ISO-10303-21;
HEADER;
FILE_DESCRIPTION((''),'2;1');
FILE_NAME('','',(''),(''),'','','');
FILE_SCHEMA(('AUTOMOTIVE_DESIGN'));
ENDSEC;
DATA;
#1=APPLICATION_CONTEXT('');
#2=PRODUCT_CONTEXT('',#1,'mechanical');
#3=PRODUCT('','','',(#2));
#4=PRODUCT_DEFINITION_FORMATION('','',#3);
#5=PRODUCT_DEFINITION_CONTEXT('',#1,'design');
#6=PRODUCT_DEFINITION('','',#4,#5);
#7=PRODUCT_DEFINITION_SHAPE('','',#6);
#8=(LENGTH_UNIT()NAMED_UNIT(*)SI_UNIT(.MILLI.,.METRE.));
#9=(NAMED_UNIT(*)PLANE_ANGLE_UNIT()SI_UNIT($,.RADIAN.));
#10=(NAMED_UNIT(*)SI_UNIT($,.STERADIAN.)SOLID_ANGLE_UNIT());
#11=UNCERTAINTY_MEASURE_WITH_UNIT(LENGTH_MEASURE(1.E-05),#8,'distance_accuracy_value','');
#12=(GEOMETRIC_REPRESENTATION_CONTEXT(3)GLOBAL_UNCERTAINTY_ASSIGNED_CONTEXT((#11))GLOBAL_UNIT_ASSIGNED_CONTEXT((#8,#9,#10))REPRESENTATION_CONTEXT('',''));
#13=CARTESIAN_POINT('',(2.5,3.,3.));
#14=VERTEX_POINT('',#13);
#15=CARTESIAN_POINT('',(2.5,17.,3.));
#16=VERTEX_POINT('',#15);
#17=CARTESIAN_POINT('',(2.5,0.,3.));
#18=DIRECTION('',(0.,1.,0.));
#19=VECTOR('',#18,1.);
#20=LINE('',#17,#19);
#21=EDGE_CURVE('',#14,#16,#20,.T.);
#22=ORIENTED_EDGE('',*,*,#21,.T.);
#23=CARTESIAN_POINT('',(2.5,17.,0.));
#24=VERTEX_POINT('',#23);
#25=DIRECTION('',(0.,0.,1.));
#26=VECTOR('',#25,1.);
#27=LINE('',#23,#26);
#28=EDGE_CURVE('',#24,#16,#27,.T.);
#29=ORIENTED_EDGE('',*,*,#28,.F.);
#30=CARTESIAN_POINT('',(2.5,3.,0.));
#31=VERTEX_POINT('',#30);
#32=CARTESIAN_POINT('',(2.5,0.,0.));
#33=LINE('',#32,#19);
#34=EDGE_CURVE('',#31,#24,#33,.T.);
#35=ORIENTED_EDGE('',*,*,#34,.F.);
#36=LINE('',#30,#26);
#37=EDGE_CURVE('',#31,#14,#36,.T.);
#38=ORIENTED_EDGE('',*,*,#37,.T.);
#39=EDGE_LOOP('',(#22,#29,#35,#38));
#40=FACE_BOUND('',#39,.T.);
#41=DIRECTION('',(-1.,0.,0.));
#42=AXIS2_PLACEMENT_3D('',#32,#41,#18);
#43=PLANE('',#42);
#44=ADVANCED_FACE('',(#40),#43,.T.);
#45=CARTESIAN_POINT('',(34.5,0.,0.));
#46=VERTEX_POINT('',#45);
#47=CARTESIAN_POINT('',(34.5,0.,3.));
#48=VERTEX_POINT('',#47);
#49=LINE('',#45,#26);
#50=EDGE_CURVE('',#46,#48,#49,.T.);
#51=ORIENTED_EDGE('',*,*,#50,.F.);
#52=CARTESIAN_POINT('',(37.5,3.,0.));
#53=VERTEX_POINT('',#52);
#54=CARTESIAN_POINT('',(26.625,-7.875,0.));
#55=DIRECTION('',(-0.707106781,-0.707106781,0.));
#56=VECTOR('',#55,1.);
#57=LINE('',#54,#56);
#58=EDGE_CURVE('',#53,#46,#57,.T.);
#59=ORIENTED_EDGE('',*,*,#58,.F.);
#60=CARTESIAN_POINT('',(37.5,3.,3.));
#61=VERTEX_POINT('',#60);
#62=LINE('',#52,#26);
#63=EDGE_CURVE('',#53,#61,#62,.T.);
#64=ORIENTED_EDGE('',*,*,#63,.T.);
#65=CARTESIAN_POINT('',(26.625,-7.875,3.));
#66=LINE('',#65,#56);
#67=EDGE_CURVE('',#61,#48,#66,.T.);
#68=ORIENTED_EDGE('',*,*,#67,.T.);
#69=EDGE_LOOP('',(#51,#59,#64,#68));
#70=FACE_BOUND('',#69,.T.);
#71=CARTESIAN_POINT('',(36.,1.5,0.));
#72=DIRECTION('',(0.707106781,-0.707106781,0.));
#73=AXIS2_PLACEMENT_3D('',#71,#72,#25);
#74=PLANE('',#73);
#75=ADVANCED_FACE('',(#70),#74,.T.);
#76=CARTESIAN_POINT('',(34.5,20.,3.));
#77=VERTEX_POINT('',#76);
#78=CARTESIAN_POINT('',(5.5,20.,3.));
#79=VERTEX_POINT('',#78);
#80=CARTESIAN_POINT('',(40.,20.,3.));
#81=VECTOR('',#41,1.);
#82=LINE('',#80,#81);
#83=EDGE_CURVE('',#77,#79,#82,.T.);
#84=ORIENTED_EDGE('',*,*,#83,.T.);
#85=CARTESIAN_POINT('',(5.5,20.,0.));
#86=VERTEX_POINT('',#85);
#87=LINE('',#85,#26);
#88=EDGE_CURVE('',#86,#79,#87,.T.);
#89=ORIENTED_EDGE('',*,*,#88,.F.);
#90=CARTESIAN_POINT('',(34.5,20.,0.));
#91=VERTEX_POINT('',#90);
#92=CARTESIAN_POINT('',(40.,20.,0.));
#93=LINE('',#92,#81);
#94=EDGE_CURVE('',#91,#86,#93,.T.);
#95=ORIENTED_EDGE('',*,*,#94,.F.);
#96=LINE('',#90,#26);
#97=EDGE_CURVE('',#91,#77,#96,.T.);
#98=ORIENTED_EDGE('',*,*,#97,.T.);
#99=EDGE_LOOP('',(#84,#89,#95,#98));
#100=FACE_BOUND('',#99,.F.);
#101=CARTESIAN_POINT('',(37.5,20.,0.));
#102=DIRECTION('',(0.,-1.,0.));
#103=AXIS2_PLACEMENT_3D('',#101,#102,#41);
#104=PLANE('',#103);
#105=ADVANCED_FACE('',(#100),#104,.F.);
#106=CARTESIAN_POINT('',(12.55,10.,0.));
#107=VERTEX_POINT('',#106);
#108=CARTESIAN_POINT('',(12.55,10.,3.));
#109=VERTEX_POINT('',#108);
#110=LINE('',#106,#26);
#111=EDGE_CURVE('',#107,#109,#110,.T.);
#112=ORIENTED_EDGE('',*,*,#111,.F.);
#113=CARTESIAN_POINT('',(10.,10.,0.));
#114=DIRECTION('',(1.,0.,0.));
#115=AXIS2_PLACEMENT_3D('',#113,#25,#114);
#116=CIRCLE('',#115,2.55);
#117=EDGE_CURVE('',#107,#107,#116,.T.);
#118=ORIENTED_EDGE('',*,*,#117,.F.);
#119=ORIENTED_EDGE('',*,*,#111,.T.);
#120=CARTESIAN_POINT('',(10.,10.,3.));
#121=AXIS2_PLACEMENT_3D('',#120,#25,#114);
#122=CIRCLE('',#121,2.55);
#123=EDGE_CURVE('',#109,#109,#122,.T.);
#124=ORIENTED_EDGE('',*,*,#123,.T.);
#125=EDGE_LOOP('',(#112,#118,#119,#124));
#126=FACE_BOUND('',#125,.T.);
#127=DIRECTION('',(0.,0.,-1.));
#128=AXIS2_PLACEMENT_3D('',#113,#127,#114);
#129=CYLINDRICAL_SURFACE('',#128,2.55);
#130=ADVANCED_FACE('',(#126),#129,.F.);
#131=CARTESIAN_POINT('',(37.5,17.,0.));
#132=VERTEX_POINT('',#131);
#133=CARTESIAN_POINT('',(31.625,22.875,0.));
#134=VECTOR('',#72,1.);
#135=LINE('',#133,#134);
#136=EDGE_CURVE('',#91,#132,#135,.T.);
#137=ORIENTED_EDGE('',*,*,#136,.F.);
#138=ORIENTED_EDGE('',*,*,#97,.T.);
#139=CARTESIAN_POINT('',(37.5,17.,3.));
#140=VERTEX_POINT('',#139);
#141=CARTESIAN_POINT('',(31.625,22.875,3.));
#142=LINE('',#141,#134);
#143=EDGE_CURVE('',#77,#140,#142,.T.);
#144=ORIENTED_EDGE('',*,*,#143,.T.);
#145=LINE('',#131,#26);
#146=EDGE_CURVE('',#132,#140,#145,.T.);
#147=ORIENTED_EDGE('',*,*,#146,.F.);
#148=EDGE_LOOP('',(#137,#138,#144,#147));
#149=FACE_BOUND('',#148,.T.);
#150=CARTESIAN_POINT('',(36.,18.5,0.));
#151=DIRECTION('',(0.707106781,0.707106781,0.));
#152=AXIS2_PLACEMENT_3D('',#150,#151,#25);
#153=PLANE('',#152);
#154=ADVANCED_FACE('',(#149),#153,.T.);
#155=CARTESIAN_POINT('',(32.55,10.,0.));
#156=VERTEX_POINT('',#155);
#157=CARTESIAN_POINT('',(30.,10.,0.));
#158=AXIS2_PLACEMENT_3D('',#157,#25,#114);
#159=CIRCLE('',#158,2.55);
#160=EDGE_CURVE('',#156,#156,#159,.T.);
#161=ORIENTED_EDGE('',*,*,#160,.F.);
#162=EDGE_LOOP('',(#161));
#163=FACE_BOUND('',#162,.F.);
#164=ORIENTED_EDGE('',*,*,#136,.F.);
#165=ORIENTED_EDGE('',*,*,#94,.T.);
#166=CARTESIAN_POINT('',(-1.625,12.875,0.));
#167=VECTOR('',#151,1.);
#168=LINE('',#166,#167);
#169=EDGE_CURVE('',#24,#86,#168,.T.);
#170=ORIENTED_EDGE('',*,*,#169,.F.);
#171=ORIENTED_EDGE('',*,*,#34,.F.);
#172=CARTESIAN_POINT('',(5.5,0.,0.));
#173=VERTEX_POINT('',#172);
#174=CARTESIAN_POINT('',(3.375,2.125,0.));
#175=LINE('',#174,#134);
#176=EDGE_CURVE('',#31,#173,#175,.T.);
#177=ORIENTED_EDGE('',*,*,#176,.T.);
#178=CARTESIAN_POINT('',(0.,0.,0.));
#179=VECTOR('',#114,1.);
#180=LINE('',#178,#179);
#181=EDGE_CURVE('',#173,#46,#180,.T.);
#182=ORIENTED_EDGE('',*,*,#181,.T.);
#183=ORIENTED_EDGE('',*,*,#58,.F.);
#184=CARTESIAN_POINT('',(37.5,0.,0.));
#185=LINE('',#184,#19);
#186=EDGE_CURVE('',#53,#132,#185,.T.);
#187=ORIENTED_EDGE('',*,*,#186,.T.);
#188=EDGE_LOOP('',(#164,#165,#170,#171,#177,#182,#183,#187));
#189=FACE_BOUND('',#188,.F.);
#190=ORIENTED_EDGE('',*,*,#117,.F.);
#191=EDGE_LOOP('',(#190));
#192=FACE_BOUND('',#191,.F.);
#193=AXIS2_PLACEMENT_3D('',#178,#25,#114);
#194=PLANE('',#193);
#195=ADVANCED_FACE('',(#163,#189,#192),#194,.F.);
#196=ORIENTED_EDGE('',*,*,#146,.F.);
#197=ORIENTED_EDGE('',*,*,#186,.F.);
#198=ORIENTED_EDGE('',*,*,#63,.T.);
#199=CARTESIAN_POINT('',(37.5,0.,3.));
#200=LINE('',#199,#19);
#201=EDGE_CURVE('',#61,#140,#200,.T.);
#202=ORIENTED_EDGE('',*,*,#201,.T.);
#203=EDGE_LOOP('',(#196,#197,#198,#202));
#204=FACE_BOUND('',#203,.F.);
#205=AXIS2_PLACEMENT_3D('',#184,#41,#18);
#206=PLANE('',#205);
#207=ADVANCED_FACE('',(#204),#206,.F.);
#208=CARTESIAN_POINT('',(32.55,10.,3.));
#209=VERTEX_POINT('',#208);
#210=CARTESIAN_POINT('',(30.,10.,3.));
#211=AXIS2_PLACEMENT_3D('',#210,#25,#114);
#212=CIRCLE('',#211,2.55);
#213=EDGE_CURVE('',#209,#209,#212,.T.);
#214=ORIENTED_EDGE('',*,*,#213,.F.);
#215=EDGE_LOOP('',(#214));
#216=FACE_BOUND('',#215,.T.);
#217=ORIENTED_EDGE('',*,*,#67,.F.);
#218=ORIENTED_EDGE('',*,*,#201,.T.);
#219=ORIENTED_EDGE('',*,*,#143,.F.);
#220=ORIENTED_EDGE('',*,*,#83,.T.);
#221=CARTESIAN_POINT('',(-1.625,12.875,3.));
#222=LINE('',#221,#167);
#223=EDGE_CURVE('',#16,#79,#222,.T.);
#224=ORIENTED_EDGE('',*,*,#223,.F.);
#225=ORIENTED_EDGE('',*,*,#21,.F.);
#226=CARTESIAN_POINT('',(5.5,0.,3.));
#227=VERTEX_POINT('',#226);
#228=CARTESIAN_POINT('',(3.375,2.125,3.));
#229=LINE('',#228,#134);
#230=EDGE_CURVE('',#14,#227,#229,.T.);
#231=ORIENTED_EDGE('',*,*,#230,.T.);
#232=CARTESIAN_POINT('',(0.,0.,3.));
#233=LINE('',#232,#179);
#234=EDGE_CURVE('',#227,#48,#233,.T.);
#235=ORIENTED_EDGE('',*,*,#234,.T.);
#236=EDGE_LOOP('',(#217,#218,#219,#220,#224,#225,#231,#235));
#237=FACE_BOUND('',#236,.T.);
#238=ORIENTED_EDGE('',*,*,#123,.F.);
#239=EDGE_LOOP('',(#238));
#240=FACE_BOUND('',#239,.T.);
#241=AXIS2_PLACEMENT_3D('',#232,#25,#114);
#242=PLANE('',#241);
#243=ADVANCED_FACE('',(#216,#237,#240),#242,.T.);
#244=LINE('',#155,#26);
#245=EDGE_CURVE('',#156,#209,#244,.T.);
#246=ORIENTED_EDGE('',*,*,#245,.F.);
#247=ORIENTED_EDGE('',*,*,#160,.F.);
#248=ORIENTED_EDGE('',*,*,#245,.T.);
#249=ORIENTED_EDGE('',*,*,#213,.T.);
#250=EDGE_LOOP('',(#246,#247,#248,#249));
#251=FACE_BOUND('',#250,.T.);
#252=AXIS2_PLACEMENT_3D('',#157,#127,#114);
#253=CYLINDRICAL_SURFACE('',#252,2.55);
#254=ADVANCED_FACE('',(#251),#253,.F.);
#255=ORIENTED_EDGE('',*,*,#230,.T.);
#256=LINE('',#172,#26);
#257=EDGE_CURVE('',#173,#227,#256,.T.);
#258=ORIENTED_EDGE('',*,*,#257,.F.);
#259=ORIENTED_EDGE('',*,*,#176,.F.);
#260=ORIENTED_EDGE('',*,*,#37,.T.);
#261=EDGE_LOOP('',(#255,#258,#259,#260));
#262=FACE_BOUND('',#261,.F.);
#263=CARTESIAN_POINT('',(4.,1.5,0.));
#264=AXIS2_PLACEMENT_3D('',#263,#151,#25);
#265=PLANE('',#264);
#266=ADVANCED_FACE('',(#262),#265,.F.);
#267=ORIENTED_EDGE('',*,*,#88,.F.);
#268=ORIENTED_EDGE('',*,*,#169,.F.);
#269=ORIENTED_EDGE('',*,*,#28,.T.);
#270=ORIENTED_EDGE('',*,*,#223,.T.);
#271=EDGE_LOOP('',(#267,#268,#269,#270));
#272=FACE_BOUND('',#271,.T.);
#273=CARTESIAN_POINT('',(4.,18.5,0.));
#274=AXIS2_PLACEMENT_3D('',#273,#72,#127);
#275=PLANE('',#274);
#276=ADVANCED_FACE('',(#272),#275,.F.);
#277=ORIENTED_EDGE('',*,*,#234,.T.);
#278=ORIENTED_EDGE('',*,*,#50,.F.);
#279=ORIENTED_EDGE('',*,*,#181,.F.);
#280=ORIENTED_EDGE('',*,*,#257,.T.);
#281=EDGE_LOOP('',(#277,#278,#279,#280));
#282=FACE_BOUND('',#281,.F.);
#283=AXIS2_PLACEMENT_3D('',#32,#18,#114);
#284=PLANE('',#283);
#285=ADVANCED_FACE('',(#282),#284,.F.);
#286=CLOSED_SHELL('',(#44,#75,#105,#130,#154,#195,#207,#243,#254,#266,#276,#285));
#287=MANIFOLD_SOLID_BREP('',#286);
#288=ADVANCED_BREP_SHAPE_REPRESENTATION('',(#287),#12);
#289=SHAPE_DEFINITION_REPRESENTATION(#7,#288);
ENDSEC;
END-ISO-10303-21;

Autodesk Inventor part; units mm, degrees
ref_plane "YZ Plane" through (0, 0, 0) normal (1, 0, 0) x (0, 1, 0)
ref_plane "XZ Plane" through (0, 0, 0) normal (0, 1, 0) x (-1, 0, 0)
ref_plane "XY Plane" through (0, 0, 0) normal (0, 0, 1) x (1, 0, 0)
sketch "Sketch1" plane through (0, 0, 0) normal (0, 0, 1) x (1, 0, 0)
  line L0 (0, 0) -> (40, 0)
  line L1 (40, 0) -> (40, 20)
  line L2 (40, 20) -> (0, 20)
  line L3 (0, 20) -> (0, 0)
  line L4 (0, 10) -> (10, 10) construction
  line L5 (10, 10) -> (30, 10) construction
  circle A0 centre (10, 10) radius 2.55
  circle A1 centre (30, 10) radius 2.55
  line L6 (37.5, 0) -> (37.5, 20)
  line L7 (2.5, 0) -> (2.5, 20)
  dimension "d0" = 40
  dimension "d1" = 20
  dimension "d2" = 10
  dimension "d3" = 20
  dimension "d4" = 5.1
  dimension "d5" = 5.1
  dimension "d8" = 2.5
  dimension "d9" = 2.5
extrude "Extrusion1" add sketch "Sketch1" along normal blind 3 contours L7 L2 L6 L0
chamfer "Chamfer1" distance 3 angle 45 4 edges at (37.5, 0, 1.5) (37.5, 20, 1.5) (2.5, 20, 1.5) (2.5, 0, 1.5)
properties part number "Platinas de unión" material "Aluminum 6061"
